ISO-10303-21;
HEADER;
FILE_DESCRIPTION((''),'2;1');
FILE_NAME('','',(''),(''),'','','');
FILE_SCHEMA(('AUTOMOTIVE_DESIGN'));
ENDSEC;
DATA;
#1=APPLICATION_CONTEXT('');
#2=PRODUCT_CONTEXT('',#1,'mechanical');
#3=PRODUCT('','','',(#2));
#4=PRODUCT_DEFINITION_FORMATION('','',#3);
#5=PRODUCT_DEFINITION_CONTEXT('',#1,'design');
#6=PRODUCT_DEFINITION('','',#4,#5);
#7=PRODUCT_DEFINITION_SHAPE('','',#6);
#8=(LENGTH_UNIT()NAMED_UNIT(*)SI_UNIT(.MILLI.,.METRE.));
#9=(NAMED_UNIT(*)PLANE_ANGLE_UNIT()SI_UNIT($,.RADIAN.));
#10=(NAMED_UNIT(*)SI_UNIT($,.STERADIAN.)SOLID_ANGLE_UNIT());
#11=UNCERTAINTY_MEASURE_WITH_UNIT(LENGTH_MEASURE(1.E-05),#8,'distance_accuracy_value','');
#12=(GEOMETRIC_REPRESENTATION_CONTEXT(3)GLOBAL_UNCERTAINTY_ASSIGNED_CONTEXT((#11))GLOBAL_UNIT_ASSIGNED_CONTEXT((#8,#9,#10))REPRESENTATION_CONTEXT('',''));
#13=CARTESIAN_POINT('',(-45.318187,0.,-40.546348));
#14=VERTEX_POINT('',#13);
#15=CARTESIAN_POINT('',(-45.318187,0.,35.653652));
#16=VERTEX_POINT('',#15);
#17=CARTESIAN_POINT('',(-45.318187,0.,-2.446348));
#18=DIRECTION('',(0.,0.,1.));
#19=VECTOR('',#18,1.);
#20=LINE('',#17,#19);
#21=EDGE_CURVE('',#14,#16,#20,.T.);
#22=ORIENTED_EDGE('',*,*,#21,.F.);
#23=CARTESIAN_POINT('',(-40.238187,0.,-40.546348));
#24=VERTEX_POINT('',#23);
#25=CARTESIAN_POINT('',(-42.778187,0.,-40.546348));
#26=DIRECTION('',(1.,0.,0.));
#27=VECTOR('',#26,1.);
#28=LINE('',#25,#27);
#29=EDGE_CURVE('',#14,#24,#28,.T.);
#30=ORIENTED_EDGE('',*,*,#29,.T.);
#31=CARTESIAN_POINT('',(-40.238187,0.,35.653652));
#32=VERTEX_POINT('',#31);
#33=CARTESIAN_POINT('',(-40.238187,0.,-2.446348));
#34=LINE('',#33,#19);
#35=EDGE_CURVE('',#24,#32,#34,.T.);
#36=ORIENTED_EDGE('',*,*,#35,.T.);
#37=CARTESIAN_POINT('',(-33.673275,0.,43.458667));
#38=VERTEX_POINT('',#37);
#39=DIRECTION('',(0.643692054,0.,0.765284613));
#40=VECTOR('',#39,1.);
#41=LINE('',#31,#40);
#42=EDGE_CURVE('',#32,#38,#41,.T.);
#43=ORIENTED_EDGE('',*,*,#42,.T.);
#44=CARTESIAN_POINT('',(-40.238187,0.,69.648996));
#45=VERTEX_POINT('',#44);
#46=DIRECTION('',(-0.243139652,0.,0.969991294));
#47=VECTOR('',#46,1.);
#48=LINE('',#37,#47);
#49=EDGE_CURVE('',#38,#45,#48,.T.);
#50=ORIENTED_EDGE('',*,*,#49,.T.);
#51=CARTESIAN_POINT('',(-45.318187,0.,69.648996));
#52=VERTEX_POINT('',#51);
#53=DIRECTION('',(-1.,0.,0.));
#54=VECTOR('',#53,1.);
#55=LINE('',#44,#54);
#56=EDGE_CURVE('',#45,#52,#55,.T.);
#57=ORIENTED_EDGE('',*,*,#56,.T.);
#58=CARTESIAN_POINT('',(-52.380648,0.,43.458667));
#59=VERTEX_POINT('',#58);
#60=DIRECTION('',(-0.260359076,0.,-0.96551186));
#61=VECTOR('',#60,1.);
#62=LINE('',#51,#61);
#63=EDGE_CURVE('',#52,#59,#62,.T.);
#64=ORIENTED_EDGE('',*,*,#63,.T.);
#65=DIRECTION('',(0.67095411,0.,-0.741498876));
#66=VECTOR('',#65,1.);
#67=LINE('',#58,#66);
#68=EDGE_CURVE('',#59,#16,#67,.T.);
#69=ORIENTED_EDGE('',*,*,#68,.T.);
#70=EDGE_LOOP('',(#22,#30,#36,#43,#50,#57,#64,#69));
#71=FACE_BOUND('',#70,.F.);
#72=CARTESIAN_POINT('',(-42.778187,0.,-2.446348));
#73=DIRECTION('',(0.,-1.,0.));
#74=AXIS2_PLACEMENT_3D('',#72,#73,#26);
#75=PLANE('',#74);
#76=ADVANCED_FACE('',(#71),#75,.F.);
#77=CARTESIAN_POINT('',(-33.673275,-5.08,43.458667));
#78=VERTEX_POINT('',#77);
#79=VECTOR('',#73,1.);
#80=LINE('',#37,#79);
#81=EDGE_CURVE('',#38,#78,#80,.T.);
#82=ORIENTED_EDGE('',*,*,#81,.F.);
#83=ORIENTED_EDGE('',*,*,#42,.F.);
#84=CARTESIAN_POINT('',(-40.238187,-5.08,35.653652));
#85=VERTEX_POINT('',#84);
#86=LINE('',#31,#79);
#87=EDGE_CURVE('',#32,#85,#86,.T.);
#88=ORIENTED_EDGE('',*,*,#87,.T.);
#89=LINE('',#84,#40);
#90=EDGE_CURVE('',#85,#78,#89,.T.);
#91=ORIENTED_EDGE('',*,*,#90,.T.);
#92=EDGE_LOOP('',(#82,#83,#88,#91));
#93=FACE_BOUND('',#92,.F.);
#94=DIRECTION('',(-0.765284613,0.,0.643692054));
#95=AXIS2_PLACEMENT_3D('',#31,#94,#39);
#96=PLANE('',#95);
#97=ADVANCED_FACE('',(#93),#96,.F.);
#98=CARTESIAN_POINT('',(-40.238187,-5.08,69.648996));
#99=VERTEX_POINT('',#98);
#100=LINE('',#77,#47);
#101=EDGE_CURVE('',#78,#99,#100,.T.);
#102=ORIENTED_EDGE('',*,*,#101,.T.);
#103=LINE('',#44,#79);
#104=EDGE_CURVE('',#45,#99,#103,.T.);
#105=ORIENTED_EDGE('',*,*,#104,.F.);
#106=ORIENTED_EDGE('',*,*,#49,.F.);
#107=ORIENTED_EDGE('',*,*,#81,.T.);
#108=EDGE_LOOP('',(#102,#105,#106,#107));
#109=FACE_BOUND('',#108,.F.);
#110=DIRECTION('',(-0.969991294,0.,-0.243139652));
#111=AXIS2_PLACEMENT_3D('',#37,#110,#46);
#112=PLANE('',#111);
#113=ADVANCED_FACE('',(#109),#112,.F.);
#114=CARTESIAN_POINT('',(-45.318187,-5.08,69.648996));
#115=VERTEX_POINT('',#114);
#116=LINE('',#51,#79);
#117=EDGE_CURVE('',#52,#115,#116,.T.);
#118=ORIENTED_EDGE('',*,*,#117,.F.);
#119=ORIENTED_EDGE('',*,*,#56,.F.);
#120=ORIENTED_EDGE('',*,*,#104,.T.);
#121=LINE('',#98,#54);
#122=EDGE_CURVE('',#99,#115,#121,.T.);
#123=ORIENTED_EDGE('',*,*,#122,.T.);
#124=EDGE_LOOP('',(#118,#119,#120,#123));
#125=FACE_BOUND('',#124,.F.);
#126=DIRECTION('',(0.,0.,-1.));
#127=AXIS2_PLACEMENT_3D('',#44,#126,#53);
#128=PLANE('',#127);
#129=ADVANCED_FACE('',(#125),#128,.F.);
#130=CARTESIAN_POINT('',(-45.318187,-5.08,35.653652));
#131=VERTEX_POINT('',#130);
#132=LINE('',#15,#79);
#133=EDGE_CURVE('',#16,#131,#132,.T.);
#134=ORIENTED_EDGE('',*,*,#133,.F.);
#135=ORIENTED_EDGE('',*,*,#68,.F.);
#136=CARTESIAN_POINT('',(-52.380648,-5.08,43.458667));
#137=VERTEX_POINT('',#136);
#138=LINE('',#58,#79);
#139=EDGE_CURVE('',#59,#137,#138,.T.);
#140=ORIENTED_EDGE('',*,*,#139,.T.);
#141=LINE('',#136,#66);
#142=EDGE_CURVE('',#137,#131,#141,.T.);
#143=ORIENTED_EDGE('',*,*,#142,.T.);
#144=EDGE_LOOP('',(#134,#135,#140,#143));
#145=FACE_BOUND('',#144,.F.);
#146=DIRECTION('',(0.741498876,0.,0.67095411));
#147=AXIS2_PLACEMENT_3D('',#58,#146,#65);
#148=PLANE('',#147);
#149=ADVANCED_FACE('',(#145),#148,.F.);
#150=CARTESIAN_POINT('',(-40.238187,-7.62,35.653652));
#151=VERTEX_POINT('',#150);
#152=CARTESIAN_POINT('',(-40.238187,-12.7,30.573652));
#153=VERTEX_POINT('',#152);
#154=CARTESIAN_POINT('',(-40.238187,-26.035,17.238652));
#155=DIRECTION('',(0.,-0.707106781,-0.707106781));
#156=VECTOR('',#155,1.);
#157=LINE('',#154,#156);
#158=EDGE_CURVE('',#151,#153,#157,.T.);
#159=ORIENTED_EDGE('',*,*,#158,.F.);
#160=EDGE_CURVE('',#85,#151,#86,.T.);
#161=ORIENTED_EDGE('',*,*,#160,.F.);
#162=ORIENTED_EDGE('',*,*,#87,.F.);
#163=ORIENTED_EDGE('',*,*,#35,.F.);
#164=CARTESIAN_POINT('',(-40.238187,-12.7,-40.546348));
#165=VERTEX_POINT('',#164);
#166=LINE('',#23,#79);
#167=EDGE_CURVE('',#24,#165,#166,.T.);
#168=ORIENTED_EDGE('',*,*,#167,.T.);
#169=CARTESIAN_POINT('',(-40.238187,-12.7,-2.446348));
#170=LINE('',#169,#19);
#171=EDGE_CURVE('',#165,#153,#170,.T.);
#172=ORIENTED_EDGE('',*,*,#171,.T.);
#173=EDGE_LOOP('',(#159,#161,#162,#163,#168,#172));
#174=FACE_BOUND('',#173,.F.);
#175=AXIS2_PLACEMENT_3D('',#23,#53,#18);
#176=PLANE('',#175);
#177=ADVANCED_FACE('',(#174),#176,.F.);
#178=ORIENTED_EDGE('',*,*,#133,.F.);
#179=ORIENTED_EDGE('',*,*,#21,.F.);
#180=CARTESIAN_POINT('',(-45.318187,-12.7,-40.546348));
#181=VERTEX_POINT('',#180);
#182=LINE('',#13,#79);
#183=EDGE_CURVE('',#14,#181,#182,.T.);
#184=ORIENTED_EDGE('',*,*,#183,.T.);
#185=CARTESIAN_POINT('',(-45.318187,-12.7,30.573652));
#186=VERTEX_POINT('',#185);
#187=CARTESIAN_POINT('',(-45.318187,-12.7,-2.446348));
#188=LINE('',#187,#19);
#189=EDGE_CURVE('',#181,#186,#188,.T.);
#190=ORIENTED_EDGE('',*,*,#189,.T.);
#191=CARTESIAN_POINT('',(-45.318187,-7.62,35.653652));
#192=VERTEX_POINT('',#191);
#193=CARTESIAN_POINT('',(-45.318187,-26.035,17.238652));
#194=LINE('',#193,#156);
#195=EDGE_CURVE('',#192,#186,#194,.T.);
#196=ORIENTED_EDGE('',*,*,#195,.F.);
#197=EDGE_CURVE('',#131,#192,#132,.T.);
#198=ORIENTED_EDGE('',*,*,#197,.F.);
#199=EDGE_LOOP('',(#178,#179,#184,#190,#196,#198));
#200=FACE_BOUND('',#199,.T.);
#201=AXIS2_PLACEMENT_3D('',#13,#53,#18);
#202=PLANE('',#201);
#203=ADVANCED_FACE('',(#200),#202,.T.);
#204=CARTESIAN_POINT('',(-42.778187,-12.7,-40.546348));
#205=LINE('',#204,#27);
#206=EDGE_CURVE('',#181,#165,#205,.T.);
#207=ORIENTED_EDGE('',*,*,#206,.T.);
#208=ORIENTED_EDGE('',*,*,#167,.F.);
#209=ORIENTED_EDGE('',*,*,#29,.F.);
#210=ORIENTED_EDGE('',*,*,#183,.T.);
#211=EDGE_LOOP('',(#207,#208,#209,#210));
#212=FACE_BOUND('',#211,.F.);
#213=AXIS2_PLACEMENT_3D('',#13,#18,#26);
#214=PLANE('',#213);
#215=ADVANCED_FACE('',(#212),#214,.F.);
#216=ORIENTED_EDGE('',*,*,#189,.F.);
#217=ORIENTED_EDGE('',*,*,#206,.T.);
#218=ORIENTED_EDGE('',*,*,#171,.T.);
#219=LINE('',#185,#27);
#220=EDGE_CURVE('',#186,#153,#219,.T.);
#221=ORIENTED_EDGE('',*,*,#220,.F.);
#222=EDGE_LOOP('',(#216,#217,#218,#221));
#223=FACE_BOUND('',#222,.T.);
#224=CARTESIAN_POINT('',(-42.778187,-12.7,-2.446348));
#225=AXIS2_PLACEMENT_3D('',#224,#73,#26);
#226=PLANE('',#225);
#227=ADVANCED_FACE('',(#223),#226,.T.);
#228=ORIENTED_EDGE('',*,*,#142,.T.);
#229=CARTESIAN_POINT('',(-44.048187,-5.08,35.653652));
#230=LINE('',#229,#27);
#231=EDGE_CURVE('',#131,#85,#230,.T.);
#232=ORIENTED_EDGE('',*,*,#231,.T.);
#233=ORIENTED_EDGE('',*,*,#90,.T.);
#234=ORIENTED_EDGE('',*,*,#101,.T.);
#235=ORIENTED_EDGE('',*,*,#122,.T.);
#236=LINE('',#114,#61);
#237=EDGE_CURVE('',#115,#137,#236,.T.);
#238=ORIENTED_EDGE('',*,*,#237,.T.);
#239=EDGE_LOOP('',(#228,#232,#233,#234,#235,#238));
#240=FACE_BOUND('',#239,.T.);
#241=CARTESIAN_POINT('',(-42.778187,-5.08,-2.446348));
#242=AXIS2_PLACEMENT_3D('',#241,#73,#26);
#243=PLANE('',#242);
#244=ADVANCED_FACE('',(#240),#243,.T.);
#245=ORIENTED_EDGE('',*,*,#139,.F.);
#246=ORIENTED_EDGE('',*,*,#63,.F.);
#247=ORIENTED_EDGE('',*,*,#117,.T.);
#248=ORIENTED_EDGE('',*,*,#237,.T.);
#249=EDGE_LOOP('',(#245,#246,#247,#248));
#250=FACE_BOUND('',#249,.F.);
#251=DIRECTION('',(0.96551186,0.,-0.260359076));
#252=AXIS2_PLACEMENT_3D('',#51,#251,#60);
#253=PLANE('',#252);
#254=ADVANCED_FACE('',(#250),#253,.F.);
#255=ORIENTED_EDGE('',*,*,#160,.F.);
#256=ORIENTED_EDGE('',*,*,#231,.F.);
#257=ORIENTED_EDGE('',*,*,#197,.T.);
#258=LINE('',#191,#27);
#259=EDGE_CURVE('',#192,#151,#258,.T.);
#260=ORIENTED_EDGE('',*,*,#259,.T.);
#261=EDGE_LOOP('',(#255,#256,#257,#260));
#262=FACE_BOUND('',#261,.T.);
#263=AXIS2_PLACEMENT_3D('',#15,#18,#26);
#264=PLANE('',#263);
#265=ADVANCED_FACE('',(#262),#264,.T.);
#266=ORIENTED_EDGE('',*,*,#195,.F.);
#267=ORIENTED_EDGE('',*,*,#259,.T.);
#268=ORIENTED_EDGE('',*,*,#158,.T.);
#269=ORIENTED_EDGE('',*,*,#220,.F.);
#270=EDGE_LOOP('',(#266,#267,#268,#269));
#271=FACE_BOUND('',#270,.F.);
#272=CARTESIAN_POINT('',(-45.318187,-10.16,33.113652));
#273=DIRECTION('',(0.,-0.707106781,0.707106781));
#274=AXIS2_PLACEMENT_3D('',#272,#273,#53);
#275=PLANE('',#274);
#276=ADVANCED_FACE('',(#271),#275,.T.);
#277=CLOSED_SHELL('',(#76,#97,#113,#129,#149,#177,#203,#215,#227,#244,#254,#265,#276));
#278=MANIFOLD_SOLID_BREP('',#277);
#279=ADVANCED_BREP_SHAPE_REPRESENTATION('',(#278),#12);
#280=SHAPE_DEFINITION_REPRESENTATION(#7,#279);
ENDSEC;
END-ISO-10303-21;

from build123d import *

# Parameters (mm, degrees)
F0_W     = 5.08
F0_H     = 76.2
F1_DEPTH = 12.7
F2_DEPTH = 5.08
F3_SIZE  = 5.08


with BuildPart() as f1:
    # F0 (on Front) → F1 (new body)
    with BuildSketch(Plane.XZ):
        with Locations((-42.778187, -2.446348)):
            Rectangle(F0_W, F0_H)
    extrude(amount=F1_DEPTH)

    # F0 (on Front) → F2 (join)
    with BuildSketch(Plane.XZ):
        with Locations((-42.778187, -2.446348)):
            Rectangle(F0_W, F0_H)
        Polygon((-52.380648, 43.458667), (-45.318187, 35.653652), (-40.238187, 35.653652), (-33.673275, 43.458667), (-40.238187, 69.648996), (-45.318187, 69.648996), align=None)
    extrude(amount=F2_DEPTH)

    # F3
    f3_edges = [f1.edges().sort_by_distance(p)[0] for p in [
        (-42.778187, -12.7, 35.653652),
    ]]
    chamfer(f3_edges, length=F3_SIZE)


solid = f1.part
